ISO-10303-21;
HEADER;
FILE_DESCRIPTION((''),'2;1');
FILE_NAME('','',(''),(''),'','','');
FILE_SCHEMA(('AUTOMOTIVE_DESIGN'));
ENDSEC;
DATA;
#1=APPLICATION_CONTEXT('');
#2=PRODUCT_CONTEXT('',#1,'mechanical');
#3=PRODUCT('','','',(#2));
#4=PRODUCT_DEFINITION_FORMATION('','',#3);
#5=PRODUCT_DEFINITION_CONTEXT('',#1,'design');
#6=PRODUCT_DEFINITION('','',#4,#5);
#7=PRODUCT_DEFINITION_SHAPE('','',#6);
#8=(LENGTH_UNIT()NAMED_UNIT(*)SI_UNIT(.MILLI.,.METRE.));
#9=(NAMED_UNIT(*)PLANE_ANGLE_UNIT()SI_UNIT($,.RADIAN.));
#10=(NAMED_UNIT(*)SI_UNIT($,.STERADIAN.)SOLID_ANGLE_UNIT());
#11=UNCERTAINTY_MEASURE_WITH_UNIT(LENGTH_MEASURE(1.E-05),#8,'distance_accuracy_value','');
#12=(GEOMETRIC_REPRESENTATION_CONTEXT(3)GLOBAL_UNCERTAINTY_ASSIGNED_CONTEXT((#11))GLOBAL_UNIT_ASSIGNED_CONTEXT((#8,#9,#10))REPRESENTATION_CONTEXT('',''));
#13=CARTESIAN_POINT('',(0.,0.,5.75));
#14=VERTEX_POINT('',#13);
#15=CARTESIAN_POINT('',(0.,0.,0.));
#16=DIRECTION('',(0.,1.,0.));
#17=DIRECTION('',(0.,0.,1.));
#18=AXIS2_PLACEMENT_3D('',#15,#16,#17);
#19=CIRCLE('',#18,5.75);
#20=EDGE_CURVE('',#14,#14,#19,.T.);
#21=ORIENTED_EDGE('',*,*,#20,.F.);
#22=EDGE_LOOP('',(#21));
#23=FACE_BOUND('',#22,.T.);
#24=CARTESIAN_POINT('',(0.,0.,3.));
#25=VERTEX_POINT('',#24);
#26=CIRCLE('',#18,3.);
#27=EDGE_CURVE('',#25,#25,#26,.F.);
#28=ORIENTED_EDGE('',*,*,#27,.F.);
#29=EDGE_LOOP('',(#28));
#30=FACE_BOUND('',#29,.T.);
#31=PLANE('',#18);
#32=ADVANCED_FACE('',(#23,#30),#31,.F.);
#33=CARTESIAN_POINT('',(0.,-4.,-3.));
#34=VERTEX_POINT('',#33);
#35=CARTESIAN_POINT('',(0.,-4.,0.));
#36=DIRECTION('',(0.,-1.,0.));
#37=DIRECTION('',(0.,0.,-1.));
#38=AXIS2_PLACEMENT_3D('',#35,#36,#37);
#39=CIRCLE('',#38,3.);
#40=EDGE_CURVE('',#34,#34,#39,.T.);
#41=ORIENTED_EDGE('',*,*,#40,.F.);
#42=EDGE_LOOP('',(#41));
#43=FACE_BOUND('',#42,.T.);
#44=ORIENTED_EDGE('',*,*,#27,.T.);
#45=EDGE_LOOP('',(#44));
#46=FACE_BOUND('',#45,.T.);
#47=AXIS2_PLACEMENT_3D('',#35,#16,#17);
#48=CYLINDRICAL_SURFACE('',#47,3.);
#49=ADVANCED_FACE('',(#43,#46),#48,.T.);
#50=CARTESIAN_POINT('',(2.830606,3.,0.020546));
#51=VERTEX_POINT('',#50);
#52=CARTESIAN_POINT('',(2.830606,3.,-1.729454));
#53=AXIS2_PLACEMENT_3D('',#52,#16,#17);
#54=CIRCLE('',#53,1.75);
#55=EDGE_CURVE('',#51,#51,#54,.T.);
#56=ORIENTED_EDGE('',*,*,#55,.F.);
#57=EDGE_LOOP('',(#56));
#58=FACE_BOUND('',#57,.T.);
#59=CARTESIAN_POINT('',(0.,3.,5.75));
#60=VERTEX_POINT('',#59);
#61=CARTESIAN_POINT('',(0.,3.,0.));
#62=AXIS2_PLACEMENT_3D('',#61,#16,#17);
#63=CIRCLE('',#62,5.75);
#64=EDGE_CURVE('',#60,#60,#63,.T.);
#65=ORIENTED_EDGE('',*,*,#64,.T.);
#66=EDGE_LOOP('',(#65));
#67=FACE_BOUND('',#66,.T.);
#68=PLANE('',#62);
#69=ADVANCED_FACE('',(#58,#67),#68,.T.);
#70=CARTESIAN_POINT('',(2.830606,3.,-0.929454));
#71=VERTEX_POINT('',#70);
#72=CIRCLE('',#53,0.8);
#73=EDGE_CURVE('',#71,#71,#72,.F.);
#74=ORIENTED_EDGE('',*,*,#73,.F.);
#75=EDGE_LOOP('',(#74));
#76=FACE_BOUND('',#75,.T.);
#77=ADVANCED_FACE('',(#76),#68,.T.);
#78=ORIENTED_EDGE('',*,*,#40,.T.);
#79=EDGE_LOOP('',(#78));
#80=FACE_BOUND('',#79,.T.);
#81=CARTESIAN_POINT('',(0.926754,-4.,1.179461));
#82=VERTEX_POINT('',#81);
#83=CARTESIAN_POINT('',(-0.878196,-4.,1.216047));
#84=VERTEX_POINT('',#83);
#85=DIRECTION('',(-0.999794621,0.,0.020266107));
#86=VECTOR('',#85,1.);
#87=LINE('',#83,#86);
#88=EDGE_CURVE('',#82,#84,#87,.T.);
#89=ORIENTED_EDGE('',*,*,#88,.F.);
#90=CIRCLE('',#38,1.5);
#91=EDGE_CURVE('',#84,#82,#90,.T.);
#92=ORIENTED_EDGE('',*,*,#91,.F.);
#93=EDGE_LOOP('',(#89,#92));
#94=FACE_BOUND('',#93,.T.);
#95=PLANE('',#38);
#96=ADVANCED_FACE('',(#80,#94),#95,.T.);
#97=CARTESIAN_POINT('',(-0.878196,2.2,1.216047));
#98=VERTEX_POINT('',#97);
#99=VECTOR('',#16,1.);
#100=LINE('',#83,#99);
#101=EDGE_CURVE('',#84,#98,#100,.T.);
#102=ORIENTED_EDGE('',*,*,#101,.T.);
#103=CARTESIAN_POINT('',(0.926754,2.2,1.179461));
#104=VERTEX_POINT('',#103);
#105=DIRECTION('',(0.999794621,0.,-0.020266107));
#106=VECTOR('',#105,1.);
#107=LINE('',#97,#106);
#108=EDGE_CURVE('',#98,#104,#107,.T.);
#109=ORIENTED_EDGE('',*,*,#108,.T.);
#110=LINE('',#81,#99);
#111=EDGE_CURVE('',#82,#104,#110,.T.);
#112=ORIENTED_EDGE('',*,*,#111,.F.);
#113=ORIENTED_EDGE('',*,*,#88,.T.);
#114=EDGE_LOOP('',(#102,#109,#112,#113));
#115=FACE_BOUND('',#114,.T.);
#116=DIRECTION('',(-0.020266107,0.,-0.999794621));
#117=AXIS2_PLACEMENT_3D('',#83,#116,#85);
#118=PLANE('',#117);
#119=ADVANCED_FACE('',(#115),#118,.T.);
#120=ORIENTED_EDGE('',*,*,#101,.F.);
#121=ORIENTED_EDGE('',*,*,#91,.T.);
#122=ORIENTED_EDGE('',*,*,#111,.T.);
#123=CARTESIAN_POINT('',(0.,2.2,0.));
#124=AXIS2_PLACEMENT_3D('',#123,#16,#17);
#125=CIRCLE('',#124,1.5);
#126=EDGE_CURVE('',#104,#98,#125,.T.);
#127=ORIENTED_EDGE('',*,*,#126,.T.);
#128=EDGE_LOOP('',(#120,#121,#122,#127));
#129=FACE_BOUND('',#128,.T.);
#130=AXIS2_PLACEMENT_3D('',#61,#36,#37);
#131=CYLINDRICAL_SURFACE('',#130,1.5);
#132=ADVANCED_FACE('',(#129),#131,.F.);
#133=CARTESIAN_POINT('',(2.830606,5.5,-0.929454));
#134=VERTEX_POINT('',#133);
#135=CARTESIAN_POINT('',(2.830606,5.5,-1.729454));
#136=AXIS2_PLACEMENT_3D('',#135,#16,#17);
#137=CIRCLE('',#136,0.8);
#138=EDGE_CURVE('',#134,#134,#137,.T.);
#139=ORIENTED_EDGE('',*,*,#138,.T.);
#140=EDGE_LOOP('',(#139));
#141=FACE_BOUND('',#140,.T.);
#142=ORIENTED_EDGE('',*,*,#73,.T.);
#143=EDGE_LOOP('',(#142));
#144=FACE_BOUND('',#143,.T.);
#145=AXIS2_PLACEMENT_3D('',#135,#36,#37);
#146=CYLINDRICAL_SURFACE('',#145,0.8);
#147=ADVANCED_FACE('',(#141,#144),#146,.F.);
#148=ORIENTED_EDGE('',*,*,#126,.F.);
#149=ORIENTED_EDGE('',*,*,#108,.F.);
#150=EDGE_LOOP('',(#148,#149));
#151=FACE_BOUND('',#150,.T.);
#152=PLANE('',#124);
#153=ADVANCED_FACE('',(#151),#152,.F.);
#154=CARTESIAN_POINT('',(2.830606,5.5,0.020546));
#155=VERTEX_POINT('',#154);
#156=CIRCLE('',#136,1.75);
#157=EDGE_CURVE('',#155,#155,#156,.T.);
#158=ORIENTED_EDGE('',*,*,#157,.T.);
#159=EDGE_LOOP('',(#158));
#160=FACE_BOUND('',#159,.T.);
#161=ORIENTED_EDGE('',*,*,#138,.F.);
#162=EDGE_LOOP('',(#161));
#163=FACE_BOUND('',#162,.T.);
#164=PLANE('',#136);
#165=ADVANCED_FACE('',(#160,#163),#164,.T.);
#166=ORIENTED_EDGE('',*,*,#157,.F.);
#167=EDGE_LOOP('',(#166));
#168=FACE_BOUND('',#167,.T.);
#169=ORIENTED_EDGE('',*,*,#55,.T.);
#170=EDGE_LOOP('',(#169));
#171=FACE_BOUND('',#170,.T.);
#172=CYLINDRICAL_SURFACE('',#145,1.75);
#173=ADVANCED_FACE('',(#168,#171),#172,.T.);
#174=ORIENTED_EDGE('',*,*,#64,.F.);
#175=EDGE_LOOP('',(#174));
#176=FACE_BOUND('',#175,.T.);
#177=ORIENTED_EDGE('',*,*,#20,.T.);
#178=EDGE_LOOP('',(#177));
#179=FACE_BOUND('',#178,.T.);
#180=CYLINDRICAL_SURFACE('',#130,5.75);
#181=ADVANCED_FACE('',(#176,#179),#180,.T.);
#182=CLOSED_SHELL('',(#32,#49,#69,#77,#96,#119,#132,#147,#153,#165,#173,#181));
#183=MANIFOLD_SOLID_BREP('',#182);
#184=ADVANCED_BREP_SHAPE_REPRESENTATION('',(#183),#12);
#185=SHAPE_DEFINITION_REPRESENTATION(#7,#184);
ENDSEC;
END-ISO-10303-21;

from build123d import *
from build123d.topology import SkipClean

# Parameters (mm, degrees)
SKETCH1_R           = 5.75
SKETCH1_R_2         = 1.5
BOSS_EXTRUDE1_DEPTH = 3
BOSS_EXTRUDE2_START = 4
SKETCH2_R           = 3
SKETCH2_R_2         = 1.5
BOSS_EXTRUDE2_DEPTH = 4
BOSS_EXTRUDE3_START = -7
BOSS_EXTRUDE3_DEPTH = 7
SKETCH4_R           = 1.75
SKETCH4_R_2         = 0.8
BOSS_EXTRUDE4_DEPTH = 2.5
BOSS_EXTRUDE5_START = -0.8
SKETCH5_R           = 5.75
BOSS_EXTRUDE5_DEPTH = 0.8


with BuildPart() as part:
    # Sketch1 → Boss-Extrude1 (new body)
    with BuildSketch(Plane(origin=(0, 0, 0), x_dir=(1, 0, 0), z_dir=(0, 1, 0))):
        with Locations(Location((0, 0, 0), (0, 0, 270))):
            Circle(SKETCH1_R)
        with Locations(Location((0, 0, 0), (0, 0, 270))):
            Circle(SKETCH1_R_2, mode=Mode.SUBTRACT)
    extrude(amount=BOSS_EXTRUDE1_DEPTH)

    # Sketch2 → Boss-Extrude2 (add)
    with SkipClean():  # the faces are left unmerged after this step: merging them gives an invalid solid
        with BuildSketch(Plane.XZ.offset(BOSS_EXTRUDE2_START)):
            with Locations(Location((0, 0, 0), (0, 0, 90))):
                Circle(SKETCH2_R)
            with Locations(Location((0, 0, 0), (0, 0, 270))):
                Circle(SKETCH2_R_2, mode=Mode.SUBTRACT)
        extrude(amount=-BOSS_EXTRUDE2_DEPTH)

    # Sketch3 → Boss-Extrude3 (add)
    with BuildSketch(Plane(origin=(0, 3, 0), x_dir=(1, 0, 0), z_dir=(0, 1, 0)).offset(BOSS_EXTRUDE3_START)):
        with BuildLine():
            Line((-0.878196328, -1.216047371), (0.926753921, -1.179460542))
            ThreePointArc((0.926753921, -1.179460542), (0.030399161, -1.499691932), (-0.878196328, -1.216047371))
        make_face()
    extrude(amount=BOSS_EXTRUDE3_DEPTH)

    # Sketch4 → Boss-Extrude4 (add)
    with BuildSketch(Plane(origin=(0, 3, 0), x_dir=(1, 0, 0), z_dir=(0, 1, 0))):
        with Locations(Location((2.83060587, 1.729454153, 0), (0, 0, 270))):
            Circle(SKETCH4_R)
        with Locations(Location((2.83060587, 1.729454153, 0), (0, 0, 270))):
            Circle(SKETCH4_R_2, mode=Mode.SUBTRACT)
    extrude(amount=BOSS_EXTRUDE4_DEPTH)

    # Sketch5 → Boss-Extrude5 (add)
    with BuildSketch(Plane(origin=(0, 3, 0), x_dir=(1, 0, 0), z_dir=(0, 1, 0)).offset(BOSS_EXTRUDE5_START)):
        with Locations(Location((0, 0, 0), (0, 0, 270))):
            Circle(SKETCH5_R)
    extrude(amount=BOSS_EXTRUDE5_DEPTH)


solid = part.part
